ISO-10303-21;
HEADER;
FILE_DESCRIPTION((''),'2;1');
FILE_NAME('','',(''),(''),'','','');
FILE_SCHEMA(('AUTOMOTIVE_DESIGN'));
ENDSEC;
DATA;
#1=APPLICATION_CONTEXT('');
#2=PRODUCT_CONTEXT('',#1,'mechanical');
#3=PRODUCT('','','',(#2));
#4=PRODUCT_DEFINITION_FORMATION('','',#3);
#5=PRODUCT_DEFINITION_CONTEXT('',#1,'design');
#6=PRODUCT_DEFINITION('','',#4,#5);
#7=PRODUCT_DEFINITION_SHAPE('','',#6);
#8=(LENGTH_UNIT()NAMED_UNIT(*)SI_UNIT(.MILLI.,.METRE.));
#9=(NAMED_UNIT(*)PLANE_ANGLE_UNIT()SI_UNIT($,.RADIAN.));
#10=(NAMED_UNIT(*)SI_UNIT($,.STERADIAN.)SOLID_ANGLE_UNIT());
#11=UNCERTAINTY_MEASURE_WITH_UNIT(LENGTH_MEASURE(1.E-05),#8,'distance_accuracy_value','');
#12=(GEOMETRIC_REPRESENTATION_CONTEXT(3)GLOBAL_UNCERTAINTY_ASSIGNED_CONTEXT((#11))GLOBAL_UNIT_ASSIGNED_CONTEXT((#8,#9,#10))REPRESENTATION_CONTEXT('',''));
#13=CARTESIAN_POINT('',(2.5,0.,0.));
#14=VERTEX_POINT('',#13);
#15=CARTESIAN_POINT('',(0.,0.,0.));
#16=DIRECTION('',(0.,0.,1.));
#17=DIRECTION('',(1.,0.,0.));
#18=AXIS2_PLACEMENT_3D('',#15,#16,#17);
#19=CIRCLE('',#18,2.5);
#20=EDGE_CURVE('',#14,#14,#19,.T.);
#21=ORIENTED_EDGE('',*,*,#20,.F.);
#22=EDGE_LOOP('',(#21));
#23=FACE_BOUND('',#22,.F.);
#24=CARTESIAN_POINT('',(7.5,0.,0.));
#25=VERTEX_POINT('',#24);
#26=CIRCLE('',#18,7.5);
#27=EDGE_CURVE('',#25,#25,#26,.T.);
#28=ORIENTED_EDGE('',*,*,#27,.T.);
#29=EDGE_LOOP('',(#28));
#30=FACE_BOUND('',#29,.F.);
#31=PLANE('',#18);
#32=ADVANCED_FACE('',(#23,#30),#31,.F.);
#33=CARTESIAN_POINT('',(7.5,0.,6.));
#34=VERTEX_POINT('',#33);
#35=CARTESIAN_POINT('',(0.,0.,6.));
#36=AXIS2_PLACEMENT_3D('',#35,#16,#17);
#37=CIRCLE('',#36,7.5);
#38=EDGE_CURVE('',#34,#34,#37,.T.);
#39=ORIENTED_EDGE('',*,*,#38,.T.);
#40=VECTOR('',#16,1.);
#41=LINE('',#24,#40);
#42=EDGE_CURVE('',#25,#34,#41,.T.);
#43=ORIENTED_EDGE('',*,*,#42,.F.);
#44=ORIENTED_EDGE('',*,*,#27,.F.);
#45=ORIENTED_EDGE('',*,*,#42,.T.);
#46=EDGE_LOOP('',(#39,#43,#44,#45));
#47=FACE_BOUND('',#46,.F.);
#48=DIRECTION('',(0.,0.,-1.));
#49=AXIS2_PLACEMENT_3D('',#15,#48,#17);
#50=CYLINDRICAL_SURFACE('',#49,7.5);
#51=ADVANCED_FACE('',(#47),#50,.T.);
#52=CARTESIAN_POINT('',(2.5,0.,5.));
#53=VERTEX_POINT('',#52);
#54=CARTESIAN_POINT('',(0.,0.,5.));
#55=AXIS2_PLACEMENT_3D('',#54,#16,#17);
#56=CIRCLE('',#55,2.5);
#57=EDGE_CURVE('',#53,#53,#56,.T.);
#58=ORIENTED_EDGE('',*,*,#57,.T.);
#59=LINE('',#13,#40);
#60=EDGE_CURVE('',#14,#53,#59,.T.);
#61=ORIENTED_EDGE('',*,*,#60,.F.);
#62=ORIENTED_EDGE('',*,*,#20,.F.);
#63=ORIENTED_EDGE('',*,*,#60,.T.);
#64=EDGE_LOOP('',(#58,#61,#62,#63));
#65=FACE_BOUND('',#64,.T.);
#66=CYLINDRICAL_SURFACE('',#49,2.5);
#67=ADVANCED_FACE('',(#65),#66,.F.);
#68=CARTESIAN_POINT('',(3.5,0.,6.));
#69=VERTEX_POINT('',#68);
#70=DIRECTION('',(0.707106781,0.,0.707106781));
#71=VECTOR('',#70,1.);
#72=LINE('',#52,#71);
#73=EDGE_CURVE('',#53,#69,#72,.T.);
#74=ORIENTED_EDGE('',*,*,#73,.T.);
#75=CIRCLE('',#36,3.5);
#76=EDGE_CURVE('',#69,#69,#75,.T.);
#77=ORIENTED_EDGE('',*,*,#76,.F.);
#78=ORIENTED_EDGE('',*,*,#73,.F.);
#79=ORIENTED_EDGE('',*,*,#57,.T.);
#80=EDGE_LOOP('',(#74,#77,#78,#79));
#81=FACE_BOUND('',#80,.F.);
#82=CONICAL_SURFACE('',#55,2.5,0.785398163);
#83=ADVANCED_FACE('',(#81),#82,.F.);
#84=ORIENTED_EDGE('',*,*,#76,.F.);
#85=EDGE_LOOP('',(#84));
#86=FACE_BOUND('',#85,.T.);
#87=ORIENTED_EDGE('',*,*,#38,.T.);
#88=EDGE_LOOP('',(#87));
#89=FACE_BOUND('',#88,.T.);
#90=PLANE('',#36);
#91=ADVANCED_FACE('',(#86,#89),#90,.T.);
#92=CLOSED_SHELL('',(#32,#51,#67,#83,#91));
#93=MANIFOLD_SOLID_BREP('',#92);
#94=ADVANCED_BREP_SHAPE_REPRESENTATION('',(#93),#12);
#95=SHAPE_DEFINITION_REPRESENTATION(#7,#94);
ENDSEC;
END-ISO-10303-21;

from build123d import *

# Parameters (mm, degrees)
SKETCH_R     = 7.5
SKETCH_R_2   = 2.5
PAD_DEPTH    = 6
CHAMFER_SIZE = 1


with BuildPart() as part:
    # Sketch → Pad (new body)
    with BuildSketch(Plane.XY):
        Circle(SKETCH_R)
        Circle(SKETCH_R_2, mode=Mode.SUBTRACT)
    extrude(amount=PAD_DEPTH)

    # Chamfer
    chamfer_edges = [part.edges().sort_by_distance(p)[0] for p in [
        (-2.5, 0, 6),
    ]]
    chamfer(chamfer_edges, length=CHAMFER_SIZE)


solid = part.part
